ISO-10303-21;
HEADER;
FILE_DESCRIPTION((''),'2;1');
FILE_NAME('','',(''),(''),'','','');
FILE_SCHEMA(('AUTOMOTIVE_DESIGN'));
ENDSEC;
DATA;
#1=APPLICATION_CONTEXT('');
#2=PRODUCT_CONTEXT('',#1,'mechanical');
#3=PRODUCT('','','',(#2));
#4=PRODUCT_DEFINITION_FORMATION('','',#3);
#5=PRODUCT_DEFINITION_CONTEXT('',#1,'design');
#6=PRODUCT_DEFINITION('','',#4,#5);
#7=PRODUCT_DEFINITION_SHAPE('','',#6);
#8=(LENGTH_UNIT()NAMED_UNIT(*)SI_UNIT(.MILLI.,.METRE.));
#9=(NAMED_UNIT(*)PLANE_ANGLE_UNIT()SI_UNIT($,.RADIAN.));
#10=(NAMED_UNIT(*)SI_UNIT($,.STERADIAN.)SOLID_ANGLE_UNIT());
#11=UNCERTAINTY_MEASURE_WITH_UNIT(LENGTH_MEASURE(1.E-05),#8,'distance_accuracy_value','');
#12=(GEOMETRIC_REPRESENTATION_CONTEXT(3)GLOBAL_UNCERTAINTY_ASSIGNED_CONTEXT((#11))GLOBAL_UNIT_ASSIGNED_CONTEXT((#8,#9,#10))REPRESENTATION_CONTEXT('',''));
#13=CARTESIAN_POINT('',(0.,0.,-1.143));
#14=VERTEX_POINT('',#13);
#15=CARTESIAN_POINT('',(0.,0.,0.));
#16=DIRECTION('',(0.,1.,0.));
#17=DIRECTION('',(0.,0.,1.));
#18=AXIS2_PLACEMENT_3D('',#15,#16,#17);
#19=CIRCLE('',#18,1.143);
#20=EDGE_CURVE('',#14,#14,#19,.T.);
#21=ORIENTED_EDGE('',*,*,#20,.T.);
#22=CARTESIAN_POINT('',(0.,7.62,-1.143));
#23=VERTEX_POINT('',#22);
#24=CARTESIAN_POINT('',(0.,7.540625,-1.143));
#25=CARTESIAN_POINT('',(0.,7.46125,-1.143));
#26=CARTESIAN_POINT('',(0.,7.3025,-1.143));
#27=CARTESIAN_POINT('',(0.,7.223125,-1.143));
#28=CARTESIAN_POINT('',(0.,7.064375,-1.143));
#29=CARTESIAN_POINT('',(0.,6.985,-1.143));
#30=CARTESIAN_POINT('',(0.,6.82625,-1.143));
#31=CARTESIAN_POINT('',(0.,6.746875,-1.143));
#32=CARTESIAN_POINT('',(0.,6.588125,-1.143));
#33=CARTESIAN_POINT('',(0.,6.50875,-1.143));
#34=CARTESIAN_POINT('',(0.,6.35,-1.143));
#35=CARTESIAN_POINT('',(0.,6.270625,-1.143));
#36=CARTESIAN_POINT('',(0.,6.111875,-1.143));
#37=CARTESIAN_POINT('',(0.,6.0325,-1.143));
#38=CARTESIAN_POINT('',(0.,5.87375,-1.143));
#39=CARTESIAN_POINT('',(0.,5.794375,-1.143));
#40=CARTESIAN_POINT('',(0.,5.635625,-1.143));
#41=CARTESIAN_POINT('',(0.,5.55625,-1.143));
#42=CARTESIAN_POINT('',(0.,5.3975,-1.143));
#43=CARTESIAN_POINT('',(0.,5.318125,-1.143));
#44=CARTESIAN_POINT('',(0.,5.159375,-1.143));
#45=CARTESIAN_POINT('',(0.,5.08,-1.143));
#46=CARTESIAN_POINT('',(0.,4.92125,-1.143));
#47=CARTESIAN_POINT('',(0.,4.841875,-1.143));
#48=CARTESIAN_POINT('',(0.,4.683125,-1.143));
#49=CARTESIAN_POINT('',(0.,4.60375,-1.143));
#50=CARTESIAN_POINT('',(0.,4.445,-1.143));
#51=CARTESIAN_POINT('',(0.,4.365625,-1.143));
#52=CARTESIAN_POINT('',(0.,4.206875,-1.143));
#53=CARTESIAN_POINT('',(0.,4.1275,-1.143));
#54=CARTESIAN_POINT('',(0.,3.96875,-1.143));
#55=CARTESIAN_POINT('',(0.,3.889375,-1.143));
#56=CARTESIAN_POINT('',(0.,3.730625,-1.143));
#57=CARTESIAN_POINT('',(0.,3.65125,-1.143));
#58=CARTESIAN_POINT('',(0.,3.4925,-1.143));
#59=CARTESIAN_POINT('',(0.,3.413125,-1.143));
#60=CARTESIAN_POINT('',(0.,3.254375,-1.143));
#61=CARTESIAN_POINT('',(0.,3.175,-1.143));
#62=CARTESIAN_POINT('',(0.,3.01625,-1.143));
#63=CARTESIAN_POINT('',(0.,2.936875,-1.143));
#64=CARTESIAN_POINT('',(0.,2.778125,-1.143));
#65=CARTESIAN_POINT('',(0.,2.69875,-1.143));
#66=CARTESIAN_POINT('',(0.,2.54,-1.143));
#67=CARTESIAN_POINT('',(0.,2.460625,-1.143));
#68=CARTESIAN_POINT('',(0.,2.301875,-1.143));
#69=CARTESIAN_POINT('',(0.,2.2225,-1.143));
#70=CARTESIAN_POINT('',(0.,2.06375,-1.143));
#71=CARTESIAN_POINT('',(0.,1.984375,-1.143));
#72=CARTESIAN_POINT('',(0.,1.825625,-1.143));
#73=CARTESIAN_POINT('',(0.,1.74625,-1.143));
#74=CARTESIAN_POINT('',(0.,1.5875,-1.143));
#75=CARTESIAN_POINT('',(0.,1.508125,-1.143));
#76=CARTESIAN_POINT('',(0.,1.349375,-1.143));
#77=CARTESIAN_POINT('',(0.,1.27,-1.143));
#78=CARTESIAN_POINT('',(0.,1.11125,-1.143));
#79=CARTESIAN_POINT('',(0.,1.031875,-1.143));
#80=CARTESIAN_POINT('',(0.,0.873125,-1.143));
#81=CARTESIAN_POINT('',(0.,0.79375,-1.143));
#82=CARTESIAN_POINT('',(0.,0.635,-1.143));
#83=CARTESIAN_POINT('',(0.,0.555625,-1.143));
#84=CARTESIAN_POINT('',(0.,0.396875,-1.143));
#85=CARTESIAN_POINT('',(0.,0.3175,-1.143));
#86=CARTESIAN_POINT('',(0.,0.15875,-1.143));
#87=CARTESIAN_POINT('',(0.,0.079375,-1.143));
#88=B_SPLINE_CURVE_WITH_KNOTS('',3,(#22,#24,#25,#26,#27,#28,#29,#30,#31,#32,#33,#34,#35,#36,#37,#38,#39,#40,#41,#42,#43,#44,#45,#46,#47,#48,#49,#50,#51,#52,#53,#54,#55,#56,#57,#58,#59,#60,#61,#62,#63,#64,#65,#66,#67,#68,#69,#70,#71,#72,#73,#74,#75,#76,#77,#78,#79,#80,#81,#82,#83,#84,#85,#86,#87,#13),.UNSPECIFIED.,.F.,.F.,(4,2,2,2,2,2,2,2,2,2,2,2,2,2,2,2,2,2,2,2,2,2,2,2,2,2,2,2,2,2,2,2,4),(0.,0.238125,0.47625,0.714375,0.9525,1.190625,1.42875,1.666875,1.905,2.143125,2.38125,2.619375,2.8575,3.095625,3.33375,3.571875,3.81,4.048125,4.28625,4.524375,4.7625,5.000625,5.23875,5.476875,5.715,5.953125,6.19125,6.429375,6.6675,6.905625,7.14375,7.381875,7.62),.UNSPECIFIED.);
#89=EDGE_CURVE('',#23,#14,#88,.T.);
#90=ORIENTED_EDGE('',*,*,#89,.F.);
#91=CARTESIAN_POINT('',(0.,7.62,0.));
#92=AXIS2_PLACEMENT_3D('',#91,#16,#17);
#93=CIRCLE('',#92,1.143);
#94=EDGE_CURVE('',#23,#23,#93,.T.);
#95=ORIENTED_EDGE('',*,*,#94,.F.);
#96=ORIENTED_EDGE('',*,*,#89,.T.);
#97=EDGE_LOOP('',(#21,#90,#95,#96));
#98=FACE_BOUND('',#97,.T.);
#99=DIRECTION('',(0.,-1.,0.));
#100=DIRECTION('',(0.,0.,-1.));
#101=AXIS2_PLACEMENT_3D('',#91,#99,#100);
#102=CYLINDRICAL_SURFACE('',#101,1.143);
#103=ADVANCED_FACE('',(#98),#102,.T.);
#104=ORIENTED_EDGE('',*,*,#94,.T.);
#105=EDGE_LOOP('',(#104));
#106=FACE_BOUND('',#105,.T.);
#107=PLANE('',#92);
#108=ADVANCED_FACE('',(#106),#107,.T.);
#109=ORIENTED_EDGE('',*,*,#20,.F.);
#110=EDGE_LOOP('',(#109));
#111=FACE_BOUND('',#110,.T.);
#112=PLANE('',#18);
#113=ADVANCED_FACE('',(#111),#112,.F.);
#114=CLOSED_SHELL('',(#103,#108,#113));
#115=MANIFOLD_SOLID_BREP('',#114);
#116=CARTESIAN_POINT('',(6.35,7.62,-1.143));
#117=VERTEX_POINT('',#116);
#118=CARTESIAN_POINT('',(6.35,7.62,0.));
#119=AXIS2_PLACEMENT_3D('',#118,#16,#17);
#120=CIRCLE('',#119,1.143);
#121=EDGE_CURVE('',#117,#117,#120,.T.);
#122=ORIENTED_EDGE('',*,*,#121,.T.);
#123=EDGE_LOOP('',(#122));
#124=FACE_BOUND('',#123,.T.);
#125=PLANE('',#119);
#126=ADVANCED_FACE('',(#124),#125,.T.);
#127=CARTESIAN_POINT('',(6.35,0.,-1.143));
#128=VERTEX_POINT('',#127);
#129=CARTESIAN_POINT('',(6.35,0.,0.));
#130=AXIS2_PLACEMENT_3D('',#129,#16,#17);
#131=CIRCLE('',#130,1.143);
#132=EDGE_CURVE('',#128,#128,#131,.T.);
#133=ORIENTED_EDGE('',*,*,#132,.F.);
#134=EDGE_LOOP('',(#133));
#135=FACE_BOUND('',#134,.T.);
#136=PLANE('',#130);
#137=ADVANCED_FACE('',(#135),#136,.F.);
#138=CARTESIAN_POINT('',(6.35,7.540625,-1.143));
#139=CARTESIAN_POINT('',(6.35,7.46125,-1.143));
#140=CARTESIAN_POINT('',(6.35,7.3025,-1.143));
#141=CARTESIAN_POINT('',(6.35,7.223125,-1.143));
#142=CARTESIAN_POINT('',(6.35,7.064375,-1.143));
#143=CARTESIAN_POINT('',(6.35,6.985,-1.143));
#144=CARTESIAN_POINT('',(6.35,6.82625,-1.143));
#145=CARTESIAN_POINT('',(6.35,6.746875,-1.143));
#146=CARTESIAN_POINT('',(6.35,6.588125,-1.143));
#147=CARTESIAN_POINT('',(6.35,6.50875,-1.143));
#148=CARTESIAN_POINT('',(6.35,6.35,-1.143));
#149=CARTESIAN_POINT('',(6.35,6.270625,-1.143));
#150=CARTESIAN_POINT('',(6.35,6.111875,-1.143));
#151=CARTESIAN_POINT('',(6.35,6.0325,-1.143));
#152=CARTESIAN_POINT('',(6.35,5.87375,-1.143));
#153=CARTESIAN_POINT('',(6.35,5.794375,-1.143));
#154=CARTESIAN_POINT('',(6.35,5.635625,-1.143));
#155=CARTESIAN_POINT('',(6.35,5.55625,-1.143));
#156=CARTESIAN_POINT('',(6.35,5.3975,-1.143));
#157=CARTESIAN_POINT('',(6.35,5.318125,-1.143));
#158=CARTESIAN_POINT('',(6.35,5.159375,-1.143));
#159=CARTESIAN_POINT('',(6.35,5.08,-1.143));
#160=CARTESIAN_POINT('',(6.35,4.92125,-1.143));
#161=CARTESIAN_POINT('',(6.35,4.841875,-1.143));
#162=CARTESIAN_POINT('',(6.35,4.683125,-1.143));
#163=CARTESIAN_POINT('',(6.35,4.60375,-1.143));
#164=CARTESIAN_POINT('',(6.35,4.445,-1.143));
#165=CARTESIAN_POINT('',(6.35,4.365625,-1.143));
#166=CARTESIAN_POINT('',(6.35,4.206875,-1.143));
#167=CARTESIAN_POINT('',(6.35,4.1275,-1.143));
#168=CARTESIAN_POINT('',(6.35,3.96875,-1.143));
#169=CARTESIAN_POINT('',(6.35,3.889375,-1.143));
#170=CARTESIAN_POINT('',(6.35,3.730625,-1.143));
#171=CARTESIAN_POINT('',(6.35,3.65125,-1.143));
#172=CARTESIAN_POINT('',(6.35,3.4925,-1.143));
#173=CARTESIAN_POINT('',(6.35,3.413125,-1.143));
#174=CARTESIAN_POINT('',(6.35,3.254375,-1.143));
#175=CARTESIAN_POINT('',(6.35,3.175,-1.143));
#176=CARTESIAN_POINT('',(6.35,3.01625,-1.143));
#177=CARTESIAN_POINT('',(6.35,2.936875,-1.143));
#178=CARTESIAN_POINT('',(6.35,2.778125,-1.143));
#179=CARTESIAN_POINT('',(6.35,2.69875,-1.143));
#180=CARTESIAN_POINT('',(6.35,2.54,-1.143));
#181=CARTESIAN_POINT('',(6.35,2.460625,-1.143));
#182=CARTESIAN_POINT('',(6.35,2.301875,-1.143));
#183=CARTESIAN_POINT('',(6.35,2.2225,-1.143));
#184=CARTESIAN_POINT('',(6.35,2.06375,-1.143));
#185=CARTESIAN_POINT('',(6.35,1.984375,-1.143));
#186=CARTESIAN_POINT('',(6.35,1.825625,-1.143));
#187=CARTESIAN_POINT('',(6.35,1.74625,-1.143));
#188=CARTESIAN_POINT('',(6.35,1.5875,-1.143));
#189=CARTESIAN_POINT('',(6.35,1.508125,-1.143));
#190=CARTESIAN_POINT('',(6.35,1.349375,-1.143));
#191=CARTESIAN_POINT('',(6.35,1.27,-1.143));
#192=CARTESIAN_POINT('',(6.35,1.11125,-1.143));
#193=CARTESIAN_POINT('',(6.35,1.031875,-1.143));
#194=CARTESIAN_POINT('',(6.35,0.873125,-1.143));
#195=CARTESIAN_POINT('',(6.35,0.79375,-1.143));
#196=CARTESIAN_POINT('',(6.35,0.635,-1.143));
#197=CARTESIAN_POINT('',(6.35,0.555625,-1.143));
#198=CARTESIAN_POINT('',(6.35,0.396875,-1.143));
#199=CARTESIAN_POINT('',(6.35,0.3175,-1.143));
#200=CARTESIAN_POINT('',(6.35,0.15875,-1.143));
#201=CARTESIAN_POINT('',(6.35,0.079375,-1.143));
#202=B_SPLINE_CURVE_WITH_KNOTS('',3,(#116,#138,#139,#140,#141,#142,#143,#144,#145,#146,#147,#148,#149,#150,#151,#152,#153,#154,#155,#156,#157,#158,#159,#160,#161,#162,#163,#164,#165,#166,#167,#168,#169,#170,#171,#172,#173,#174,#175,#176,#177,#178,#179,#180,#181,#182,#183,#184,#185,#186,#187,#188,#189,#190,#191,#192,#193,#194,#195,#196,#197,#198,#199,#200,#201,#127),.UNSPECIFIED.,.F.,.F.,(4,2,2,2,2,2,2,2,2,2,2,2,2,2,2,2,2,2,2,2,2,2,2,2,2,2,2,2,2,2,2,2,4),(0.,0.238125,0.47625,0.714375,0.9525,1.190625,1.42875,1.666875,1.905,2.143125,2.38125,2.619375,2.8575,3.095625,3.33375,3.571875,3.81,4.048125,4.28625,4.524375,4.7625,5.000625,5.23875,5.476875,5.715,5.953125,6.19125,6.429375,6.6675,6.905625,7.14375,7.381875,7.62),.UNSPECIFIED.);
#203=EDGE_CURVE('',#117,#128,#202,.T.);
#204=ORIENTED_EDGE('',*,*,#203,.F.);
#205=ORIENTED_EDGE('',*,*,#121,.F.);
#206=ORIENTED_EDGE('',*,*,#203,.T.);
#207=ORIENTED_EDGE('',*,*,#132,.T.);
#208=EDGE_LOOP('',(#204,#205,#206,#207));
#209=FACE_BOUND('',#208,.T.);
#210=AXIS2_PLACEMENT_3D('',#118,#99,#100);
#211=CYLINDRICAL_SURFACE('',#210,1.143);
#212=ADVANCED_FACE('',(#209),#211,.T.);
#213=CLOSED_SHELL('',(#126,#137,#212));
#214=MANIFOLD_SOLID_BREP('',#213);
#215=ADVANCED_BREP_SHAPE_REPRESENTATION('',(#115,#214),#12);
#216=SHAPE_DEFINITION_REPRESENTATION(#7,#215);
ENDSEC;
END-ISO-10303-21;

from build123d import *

# Parameters (mm, degrees)
SKETCH1_R             = 1.143
BOSS_EXTRUDE1_DEPTH   = 7.62
BOSS_EXTRUDE1_2_DEPTH = 7.62


with BuildPart() as part:
    # Sketch1 → Boss-Extrude1 (new body)
    with BuildSketch(Plane(origin=(0, 0, 0), x_dir=(1, 0, 0), z_dir=(0, 1, 0))):
        with Locations(Location((0, 0, 0), (0, 0, 90))):
            Circle(SKETCH1_R)
    extrude(amount=BOSS_EXTRUDE1_DEPTH)


with BuildPart() as body_2:
    # Sketch1 → Boss-Extrude1 2 (new body)
    with BuildSketch(Plane(origin=(0, 0, 0), x_dir=(1, 0, 0), z_dir=(0, 1, 0))):
        with Locations(Location((6.35, 0, 0), (0, 0, 90))):
            Circle(SKETCH1_R)
    extrude(amount=BOSS_EXTRUDE1_2_DEPTH)


solid = Compound([part.part, body_2.part])
